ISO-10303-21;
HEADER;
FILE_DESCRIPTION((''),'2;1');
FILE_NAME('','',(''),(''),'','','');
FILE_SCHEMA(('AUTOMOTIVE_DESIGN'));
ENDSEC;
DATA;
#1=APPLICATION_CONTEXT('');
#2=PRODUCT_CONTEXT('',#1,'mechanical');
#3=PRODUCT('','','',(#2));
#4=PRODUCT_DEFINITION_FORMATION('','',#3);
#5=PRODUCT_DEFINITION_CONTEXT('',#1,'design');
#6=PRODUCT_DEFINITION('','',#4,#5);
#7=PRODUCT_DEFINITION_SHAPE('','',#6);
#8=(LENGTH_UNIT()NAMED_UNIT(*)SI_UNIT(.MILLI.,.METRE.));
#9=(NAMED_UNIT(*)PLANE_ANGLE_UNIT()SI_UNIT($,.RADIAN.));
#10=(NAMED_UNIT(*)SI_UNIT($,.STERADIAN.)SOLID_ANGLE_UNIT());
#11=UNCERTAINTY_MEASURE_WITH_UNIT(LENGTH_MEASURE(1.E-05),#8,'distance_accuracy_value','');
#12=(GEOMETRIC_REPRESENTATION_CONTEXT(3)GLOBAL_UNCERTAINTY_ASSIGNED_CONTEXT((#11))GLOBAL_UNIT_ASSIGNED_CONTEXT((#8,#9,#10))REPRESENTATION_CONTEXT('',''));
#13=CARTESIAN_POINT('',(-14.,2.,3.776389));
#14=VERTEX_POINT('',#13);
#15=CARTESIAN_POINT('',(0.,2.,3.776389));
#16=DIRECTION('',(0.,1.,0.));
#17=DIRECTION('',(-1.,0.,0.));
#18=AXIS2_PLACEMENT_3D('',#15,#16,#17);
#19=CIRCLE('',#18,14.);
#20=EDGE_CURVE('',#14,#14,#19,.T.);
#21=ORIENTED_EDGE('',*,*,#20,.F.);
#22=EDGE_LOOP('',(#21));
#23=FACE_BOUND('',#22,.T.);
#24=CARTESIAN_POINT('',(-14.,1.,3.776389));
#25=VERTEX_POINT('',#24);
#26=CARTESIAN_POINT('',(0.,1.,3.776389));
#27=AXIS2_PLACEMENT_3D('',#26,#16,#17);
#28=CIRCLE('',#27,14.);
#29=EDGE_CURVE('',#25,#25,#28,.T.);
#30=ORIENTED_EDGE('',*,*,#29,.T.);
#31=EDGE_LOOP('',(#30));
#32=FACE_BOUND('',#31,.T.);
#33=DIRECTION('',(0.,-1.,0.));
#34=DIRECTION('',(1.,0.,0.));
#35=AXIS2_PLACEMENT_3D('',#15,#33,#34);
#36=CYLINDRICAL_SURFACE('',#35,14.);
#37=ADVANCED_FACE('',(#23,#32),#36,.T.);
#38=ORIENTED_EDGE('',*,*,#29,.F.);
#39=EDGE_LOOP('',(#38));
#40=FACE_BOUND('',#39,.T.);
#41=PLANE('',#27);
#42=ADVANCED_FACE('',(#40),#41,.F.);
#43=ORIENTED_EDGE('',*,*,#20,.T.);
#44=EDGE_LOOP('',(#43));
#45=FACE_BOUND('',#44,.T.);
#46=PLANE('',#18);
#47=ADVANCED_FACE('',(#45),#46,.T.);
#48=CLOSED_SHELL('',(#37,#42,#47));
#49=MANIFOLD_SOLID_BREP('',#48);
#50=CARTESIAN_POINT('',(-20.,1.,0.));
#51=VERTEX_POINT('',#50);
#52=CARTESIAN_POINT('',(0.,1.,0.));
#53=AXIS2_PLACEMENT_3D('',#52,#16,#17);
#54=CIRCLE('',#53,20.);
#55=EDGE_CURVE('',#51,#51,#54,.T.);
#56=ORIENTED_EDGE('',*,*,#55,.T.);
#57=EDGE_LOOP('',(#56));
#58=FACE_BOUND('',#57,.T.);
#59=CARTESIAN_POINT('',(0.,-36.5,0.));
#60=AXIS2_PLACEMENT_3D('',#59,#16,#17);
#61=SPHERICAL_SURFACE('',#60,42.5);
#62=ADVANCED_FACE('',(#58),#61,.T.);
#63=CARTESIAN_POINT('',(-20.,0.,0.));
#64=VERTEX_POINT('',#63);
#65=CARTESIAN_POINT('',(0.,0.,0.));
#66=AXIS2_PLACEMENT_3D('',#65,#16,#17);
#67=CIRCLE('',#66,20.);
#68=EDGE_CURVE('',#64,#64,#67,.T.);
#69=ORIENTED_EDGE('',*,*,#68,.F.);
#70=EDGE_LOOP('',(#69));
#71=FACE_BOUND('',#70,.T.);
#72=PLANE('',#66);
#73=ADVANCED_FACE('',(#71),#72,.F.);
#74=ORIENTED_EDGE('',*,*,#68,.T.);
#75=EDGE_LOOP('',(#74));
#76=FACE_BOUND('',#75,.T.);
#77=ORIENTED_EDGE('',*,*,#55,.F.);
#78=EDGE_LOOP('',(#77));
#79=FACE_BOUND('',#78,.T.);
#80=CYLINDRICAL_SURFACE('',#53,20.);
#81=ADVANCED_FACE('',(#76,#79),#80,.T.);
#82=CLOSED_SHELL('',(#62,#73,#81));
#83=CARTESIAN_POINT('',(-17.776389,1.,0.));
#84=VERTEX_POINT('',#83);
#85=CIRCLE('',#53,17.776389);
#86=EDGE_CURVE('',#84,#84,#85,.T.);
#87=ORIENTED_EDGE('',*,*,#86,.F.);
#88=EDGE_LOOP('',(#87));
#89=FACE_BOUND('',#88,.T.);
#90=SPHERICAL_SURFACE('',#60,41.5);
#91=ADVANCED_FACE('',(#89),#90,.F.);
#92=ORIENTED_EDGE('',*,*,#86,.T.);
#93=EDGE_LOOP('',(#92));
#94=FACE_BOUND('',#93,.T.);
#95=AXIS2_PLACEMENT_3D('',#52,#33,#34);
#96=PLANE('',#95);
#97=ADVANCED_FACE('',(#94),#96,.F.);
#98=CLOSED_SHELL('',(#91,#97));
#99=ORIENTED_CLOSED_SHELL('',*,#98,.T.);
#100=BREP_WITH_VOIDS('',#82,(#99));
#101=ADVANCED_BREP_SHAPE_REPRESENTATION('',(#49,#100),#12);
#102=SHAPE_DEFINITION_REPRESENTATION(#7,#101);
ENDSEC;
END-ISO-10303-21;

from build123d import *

# Parameters (mm, degrees)
SKETCH2_R           = 14
BOSS_EXTRUDE1_DEPTH = 1


with BuildPart() as part:
    # Sketch1 → Revolve1 (revolve)
    with BuildSketch(Plane.XY, mode=Mode.PRIVATE) as revolve1_sk:
        with BuildLine():
            Line((17.776388835, 1), (20, 1))
            ThreePointArc((20, 1), (10.307764064, 4.731056256), (0, 6))
            Line((0, 6), (0, 5))
            ThreePointArc((0, 5), (9.110433579, 3.987652439), (17.776388835, 1))
        make_face()
        Polygon((0, 1), (0, 0), (20, 0), (20, 1), (17.776388835, 1), align=None)
    revolve(revolve1_sk.sketch.rotate(Axis((0, 1, 0), (0, -1, 0)), 180), axis=Axis((0, 1, 0), (0, -1, 0)))


with BuildPart() as body_2:
    # Sketch2 → Boss-Extrude1 (new body)
    with BuildSketch(Plane(origin=(0, 1, 0), x_dir=(1, 0, 0), z_dir=(0, 1, 0))):
        with Locations(Location((0, -3.776388835, 0), (0, 0, 180))):
            Circle(SKETCH2_R)
    extrude(amount=BOSS_EXTRUDE1_DEPTH)


solid = Compound([part.part, body_2.part])
